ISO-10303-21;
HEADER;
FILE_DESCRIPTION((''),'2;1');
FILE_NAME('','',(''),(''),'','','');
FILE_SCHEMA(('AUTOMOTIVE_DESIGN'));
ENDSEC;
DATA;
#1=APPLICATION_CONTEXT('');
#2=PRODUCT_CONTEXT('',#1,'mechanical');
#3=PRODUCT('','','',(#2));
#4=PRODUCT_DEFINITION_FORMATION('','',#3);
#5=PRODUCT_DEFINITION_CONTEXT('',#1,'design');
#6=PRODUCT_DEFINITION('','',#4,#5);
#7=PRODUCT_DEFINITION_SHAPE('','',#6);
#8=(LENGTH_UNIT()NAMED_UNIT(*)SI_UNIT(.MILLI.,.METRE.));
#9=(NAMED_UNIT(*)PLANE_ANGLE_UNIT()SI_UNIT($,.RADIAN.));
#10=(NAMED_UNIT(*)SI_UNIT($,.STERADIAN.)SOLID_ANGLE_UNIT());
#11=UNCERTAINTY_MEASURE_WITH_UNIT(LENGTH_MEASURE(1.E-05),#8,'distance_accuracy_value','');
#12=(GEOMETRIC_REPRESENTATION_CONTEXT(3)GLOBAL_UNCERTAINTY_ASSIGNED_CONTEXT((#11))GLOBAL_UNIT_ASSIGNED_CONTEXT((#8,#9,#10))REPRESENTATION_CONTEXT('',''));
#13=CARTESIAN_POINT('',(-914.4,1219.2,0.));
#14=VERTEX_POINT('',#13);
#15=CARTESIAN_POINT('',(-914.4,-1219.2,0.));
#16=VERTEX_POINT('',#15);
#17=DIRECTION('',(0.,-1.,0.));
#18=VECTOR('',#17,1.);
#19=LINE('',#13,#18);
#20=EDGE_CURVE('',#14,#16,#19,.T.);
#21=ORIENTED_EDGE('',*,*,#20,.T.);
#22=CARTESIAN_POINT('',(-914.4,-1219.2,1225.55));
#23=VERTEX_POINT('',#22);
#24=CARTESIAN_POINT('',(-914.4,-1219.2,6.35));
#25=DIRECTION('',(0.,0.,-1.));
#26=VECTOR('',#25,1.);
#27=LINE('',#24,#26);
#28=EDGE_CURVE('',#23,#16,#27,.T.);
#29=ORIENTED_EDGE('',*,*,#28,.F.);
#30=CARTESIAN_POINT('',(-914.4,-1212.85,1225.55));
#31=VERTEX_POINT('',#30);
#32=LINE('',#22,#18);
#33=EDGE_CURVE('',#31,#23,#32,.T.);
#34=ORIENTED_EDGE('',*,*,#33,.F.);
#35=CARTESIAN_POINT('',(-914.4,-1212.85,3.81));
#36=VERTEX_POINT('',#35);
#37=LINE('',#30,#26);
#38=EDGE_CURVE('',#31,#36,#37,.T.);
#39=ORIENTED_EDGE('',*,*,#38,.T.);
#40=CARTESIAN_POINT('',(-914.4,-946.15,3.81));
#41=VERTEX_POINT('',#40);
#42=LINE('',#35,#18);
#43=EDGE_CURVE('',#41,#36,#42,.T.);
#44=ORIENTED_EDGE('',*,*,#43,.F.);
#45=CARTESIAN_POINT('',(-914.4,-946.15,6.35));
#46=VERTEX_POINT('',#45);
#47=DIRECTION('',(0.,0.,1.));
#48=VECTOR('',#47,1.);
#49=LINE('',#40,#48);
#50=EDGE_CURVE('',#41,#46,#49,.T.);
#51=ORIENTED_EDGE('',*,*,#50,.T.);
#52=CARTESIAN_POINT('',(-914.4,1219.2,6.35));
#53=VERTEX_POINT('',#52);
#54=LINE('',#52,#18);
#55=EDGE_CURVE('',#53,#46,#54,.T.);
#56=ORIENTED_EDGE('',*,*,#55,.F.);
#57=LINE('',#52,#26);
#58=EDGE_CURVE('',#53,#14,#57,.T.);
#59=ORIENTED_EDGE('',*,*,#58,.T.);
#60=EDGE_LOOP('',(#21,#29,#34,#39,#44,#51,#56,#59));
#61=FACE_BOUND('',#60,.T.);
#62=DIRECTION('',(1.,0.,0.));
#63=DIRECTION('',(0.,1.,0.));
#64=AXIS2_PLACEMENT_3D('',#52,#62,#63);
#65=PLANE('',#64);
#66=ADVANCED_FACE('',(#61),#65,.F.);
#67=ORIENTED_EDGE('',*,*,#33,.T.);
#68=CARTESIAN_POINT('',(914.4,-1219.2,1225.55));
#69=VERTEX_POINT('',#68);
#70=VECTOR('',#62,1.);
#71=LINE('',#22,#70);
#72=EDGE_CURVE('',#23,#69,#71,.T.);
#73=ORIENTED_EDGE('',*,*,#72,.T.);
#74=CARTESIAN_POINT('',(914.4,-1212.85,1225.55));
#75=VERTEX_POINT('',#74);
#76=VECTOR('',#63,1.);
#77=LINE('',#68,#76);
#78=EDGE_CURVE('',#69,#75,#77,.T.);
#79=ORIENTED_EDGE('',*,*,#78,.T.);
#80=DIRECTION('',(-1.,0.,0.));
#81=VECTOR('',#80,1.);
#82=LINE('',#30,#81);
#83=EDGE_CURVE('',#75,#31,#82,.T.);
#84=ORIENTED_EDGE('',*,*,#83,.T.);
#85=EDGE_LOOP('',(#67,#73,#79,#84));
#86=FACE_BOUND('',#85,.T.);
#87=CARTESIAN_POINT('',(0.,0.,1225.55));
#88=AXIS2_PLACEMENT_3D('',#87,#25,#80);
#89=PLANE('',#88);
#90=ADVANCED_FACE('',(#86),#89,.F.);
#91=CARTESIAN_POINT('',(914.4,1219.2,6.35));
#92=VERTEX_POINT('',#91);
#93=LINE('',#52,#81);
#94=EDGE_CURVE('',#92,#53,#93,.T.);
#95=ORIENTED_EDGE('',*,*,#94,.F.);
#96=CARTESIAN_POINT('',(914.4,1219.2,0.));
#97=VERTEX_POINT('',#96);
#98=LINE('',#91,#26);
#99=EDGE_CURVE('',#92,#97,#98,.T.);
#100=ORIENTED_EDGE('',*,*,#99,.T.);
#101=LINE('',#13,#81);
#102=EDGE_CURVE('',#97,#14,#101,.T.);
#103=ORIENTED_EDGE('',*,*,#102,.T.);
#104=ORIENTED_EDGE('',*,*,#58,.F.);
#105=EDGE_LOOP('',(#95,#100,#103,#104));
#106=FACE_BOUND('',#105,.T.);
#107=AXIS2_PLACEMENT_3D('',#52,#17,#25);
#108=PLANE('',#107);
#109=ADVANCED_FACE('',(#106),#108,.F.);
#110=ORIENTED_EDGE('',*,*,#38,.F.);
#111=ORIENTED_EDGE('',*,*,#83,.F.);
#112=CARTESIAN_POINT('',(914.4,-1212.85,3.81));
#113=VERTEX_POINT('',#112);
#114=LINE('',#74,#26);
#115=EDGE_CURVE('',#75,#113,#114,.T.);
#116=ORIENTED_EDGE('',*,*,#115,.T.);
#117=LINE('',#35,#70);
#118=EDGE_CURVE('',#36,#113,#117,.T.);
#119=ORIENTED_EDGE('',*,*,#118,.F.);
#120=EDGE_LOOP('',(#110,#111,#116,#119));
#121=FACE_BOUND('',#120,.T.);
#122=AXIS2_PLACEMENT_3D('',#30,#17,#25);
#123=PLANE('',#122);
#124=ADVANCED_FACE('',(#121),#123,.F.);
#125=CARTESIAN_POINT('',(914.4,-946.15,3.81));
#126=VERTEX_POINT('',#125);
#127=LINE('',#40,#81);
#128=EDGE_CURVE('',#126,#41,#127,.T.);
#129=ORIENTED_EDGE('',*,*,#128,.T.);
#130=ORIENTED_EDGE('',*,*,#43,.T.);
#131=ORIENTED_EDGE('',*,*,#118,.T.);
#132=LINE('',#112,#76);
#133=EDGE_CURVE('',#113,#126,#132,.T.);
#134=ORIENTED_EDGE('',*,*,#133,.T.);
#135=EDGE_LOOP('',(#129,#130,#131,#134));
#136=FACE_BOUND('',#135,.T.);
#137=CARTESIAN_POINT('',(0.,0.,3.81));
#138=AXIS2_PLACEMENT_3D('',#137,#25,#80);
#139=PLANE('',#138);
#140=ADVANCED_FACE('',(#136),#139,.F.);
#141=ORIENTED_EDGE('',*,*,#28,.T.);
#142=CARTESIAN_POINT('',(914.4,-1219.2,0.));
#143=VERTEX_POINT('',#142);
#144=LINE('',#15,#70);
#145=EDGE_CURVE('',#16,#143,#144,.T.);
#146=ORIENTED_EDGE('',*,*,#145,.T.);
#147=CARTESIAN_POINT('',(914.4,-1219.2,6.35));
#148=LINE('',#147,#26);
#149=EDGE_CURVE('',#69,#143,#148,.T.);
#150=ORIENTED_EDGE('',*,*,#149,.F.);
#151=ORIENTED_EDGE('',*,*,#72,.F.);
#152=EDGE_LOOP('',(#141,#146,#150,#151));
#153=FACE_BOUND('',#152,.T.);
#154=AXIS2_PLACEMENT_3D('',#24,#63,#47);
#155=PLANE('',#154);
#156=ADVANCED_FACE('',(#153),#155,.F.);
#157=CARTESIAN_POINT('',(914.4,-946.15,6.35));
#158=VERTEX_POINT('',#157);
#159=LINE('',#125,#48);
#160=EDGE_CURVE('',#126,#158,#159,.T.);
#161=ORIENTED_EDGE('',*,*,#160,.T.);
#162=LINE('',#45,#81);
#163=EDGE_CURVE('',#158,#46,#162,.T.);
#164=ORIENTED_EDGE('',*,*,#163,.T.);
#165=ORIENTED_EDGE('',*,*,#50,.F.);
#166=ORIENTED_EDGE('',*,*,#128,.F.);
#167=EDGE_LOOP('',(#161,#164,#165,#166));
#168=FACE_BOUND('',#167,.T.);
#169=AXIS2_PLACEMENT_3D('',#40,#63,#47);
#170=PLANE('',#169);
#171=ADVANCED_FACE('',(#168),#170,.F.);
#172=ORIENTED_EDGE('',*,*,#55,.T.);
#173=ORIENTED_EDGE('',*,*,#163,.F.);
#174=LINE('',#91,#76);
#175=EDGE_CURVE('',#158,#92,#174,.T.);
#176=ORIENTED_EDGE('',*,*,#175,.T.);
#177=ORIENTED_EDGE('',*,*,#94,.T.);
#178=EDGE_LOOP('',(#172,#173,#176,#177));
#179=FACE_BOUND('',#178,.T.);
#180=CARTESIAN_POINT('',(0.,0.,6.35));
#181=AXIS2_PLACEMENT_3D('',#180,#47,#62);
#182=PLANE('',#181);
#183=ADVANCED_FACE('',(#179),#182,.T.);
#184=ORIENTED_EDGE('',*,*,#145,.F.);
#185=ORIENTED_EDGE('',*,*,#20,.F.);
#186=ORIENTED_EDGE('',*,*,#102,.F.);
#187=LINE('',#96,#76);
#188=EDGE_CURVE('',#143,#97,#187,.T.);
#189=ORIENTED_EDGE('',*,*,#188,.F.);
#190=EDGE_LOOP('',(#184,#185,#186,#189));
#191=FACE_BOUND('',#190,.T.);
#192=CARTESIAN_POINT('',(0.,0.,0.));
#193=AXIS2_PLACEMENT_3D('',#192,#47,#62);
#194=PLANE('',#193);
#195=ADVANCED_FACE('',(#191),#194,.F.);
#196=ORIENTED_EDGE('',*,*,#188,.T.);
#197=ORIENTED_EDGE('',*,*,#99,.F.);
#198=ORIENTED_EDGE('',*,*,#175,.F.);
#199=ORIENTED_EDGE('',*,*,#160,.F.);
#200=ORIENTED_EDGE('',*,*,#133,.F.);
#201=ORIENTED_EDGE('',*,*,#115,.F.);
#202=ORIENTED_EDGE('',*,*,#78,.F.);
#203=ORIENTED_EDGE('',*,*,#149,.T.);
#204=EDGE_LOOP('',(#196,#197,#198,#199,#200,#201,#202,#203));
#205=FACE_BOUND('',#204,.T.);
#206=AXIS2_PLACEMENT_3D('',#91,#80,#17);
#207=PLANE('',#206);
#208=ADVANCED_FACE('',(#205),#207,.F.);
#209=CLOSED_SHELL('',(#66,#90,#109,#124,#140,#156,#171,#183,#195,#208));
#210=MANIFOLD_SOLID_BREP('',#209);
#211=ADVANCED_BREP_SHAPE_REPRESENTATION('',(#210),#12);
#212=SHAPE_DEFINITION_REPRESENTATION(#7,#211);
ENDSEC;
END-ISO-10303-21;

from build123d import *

# Parameters (mm, degrees)
SKETCH1_W           = 1828.8
SKETCH1_H           = 2438.4
BOSS_EXTRUDE1_DEPTH = 6.35
SKETCH2_W           = 1828.8
SKETCH2_H           = 6.35
BOSS_EXTRUDE2_DEPTH = 1219.2
SKETCH3_W           = 1828.8
SKETCH3_H           = 266.7
CUT_EXTRUDE1_DEPTH  = 2.54


with BuildPart() as part:
    # Sketch1 → Boss-Extrude1 (new body)
    with BuildSketch(Plane.XY):
        Rectangle(SKETCH1_W, SKETCH1_H)
    extrude(amount=BOSS_EXTRUDE1_DEPTH)

    # Sketch2 → Boss-Extrude2 (add)
    with BuildSketch(Plane.XY.offset(6.35)):
        with Locations((0, -1216.025)):
            Rectangle(SKETCH2_W, SKETCH2_H)
    extrude(amount=BOSS_EXTRUDE2_DEPTH)

    # Sketch3 → Cut-Extrude1 (cut)
    with BuildSketch(Plane.XY.offset(6.35)):
        with Locations((0, -1079.5)):
            Rectangle(SKETCH3_W, SKETCH3_H)
    extrude(amount=-CUT_EXTRUDE1_DEPTH, mode=Mode.SUBTRACT)


solid = part.part
